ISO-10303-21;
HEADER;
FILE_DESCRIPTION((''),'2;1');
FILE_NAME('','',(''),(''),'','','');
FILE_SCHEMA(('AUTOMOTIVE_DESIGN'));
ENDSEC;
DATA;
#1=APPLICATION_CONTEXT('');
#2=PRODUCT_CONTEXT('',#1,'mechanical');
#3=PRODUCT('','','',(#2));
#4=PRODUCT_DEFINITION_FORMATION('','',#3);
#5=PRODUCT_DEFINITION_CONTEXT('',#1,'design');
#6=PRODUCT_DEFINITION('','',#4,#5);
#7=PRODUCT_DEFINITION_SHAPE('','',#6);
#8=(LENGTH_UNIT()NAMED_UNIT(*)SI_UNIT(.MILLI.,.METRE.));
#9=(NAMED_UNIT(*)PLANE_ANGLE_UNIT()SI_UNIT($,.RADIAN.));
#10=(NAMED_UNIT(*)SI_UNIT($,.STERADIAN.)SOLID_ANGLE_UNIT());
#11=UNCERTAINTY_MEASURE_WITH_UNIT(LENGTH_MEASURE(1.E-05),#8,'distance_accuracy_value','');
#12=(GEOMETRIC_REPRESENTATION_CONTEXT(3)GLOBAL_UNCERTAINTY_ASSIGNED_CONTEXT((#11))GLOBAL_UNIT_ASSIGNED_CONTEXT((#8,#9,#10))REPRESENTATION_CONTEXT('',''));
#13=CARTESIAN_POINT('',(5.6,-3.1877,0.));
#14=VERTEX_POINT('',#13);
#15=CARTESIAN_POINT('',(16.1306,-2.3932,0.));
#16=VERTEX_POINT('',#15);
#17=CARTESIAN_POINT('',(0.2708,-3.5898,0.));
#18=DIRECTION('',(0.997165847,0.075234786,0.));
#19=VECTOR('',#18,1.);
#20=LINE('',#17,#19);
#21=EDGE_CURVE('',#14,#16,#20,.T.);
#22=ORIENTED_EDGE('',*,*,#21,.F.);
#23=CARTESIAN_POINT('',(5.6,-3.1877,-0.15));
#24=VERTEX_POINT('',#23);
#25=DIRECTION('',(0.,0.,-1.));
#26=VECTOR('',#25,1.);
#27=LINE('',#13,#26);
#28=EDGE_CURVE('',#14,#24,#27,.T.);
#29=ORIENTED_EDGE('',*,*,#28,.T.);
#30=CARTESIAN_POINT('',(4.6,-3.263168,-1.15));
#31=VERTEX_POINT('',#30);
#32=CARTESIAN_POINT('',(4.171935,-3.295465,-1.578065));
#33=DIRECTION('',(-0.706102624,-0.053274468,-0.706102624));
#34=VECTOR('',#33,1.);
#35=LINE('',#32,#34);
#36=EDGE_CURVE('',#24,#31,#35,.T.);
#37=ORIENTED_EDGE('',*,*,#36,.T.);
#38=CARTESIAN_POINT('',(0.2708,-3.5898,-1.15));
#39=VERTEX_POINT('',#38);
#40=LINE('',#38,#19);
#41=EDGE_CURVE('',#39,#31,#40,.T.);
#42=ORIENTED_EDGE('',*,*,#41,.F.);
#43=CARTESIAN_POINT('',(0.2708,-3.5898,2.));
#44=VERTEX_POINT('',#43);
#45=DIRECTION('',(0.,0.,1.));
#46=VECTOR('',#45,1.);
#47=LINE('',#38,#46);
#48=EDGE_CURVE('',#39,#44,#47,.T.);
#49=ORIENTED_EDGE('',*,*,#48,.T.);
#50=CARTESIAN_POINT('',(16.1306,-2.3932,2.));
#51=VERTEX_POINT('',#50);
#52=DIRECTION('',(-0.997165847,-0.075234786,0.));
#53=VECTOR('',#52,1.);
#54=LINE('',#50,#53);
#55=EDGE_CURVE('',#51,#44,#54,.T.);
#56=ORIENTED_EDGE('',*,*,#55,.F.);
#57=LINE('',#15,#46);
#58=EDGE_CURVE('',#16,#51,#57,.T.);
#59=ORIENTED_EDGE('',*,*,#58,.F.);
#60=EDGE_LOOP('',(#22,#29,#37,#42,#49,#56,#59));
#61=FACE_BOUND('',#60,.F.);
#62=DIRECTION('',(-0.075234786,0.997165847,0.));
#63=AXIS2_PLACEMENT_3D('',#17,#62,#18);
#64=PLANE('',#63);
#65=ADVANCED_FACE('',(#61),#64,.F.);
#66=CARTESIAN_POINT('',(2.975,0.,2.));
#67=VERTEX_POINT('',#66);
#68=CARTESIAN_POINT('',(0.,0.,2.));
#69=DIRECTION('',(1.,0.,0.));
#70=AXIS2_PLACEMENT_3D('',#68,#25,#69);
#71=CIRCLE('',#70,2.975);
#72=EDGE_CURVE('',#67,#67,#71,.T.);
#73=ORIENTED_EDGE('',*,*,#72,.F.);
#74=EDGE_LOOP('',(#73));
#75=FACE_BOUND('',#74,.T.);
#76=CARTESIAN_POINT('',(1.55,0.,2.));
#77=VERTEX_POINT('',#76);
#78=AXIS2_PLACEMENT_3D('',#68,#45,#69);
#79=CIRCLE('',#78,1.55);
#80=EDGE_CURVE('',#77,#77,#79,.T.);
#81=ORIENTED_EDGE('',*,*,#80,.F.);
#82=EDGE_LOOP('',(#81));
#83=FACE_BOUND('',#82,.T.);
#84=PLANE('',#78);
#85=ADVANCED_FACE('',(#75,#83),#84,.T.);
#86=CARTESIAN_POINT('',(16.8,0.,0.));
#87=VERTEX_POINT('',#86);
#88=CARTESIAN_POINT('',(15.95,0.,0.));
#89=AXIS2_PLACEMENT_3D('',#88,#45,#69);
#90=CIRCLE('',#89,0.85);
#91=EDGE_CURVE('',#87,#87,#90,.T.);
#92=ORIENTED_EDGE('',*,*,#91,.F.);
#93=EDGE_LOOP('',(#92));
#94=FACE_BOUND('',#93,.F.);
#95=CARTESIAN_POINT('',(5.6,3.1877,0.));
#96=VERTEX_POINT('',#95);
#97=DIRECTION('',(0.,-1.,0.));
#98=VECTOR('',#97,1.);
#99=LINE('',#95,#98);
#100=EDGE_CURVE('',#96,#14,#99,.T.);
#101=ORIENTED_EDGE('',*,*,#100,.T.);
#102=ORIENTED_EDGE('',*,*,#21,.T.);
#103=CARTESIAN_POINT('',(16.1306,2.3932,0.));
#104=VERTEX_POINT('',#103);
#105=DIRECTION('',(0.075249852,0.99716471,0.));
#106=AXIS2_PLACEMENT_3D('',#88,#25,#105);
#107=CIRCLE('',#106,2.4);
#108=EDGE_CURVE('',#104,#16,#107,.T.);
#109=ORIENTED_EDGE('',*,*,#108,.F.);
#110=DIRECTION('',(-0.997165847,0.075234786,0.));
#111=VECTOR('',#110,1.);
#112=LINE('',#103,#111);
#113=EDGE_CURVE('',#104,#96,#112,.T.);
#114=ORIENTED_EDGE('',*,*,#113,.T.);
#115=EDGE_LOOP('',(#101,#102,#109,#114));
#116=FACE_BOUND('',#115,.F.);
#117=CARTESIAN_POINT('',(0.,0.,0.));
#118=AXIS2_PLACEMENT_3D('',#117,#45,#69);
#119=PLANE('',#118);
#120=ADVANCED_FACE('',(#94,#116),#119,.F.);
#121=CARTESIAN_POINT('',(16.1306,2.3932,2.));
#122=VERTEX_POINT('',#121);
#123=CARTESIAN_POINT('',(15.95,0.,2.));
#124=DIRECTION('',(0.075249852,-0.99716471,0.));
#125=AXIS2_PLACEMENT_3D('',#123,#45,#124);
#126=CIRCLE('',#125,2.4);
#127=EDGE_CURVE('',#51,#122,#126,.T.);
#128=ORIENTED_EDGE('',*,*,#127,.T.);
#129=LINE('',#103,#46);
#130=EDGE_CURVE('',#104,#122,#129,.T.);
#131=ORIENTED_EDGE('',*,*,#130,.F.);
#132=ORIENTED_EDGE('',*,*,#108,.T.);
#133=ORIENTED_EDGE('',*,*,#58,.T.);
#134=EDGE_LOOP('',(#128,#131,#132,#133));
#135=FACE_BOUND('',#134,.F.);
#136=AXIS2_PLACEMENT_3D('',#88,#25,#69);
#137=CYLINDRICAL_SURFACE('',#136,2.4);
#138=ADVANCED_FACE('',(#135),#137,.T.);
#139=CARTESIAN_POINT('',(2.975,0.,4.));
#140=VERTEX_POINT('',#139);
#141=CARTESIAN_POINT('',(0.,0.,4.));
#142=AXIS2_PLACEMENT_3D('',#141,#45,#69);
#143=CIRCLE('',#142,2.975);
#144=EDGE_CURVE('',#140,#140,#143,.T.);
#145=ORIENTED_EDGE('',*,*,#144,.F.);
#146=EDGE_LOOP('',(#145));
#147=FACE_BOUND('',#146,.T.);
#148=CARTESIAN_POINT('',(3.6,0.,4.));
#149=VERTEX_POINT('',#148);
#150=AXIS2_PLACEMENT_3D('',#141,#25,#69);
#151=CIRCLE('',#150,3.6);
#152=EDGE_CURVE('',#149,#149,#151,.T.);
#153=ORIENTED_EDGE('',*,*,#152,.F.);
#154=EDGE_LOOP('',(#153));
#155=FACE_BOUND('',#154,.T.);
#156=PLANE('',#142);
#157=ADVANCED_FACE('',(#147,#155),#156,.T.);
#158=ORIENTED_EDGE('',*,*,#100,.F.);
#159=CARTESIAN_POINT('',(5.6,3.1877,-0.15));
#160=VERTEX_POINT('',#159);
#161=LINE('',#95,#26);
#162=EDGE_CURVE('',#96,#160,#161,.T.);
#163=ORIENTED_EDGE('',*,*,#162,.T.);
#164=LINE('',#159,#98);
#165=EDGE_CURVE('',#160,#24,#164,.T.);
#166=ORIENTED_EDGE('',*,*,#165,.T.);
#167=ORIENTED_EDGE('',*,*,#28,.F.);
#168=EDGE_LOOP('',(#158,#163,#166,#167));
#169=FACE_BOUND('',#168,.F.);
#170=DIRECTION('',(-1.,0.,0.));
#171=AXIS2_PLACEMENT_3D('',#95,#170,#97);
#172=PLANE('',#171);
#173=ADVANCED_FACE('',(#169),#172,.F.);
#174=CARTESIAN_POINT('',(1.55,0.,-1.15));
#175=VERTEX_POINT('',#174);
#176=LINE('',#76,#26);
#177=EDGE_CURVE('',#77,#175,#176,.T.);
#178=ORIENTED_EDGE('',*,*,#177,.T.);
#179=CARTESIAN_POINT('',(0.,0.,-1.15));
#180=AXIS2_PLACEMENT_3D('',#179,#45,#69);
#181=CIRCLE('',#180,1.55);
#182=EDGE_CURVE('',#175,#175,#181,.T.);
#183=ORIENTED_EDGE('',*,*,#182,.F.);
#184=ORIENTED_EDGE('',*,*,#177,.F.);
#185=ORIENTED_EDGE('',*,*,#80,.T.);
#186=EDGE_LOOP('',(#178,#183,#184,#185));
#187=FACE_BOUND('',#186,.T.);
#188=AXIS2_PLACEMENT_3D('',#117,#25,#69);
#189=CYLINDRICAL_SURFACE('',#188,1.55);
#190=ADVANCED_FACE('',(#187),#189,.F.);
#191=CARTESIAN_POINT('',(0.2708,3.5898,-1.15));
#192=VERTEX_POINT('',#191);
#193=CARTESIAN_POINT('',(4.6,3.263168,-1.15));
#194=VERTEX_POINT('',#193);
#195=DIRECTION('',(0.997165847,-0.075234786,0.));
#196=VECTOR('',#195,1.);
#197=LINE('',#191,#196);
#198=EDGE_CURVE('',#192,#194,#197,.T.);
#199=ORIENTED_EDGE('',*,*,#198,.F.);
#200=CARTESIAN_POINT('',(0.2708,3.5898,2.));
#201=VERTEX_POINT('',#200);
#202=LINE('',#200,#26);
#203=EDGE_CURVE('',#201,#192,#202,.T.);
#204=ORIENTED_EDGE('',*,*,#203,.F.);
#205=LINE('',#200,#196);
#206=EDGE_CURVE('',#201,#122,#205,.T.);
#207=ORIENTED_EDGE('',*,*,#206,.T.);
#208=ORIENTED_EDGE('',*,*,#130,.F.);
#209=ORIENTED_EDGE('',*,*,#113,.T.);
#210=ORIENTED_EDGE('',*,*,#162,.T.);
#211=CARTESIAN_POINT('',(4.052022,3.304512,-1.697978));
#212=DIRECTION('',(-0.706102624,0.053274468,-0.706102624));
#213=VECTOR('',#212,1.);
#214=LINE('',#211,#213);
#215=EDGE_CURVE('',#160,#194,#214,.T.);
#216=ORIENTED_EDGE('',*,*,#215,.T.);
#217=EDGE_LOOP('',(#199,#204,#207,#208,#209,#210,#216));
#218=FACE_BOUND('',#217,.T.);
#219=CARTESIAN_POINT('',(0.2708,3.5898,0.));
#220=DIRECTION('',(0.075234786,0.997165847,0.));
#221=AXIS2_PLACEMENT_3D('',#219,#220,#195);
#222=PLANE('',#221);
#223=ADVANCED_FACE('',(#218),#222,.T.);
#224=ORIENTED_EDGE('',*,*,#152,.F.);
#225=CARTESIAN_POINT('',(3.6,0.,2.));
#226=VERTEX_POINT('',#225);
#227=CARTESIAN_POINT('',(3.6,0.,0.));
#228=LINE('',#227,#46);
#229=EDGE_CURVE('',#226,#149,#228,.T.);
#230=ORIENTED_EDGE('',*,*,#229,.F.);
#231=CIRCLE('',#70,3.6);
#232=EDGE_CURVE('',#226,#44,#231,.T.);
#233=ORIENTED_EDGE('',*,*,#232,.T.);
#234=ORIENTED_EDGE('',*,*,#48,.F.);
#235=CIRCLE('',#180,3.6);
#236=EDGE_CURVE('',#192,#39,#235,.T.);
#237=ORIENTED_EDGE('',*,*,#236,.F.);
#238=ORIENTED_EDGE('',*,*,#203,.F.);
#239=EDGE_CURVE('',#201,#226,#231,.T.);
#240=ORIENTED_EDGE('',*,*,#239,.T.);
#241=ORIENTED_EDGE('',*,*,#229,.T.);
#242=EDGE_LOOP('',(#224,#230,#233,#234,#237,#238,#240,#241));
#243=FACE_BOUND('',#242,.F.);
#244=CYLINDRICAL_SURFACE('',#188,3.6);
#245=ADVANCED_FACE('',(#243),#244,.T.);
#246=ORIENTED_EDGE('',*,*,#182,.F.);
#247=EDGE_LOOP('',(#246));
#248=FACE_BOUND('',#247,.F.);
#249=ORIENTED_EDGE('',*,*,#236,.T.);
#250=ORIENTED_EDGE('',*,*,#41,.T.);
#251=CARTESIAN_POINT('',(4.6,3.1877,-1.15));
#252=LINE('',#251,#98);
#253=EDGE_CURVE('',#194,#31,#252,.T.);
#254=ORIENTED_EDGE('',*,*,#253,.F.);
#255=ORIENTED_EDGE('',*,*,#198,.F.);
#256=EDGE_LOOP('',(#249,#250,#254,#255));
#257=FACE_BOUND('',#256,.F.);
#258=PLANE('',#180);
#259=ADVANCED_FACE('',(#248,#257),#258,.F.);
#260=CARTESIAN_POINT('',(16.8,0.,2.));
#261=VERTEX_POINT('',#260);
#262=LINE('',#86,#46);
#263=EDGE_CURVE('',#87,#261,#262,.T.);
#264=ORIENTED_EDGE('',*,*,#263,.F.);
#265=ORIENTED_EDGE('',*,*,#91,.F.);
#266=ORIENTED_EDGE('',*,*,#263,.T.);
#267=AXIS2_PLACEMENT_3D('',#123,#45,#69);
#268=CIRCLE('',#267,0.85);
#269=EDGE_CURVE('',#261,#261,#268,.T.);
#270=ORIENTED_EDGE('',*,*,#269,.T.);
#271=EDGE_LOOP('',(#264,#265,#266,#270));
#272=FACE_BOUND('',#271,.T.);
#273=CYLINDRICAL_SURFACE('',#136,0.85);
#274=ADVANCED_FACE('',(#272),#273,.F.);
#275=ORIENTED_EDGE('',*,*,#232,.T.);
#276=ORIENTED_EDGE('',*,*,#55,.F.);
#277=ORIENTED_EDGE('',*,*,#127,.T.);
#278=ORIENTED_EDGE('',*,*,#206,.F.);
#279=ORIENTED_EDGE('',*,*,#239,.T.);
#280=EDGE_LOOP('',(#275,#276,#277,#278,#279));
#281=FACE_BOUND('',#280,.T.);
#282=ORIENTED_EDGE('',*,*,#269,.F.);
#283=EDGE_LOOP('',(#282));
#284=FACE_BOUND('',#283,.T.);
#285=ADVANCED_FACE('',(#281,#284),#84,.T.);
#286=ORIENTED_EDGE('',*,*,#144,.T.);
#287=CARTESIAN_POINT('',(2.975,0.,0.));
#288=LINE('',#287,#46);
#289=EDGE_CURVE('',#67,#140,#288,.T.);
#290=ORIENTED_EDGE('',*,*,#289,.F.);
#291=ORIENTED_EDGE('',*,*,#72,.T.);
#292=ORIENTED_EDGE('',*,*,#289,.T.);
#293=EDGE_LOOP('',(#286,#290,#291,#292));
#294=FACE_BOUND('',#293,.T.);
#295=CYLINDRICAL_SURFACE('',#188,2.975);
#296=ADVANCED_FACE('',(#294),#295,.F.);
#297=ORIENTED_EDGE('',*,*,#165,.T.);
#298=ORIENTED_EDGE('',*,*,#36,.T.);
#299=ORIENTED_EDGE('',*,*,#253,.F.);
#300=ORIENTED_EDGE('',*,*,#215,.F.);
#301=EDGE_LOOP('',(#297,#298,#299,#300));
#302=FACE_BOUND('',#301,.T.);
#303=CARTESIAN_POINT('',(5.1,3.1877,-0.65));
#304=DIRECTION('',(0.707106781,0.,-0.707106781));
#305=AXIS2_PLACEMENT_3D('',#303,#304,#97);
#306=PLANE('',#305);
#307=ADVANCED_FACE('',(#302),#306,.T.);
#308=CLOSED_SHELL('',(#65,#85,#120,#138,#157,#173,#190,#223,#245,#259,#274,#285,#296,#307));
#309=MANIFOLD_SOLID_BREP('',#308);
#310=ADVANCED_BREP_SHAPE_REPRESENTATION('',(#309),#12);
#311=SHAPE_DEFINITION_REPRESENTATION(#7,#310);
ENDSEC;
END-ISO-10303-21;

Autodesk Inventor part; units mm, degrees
ref_plane "YZ Plane" through (0, 0, 0) normal (1, 0, 0) x (0, 1, 0)
ref_plane "XZ Plane" through (0, 0, 0) normal (0, 1, 0) x (-1, 0, 0)
ref_plane "XY Plane" through (0, 0, 0) normal (0, 0, 1) x (1, 0, 0)
sketch "Sketch1" plane through (0, 0, 0) normal (0, 0, 1) x (1, 0, 0)
  circle A0 centre (0, 0) radius 3.6
  line L0 (0, 0) -> (15.95, 0) construction
  circle A1 centre (15.95, 0) radius 2.4
  line L1 (0.2708, 3.5898) -> (16.1306, 2.3932)
  line L2 (0.2708, -3.5898) -> (16.1306, -2.3932)
  line L3 (5.6, 3.1877) -> (5.6, -3.1877)
  line L4 (0, 0) -> (-3.6, 0) construction
  circle A2 centre (0, 0) radius 1.55
  circle A3 centre (15.95, 0) radius 0.85
  circle A4 centre (0, 0) radius 2.975
  dimension "d0" = 7.2
  dimension "d1" = 4.8
  dimension "d2" = 15.95
  dimension "d5" = 9.2
  dimension "d6" = 3.1
  dimension "d7" = 1.7
  dimension "d10" = 5.95
extrude "Extrusion1" add sketch "Sketch1" along normal blind 2 contours A0 | A0 L1 L3 L2 | L1 A1 L2 L3 | A1 | A4
extrude "Extrusion2" add sketch "Sketch1" against normal blind 1.15 contours A0 | A0 L1 L3 L2 | A4
extrude "Extrusion3" add sketch "Sketch1" along normal blind 4 contours A0
chamfer "Chamfer1" distance 1 angle 45 1 edges at (5.6, 0, -1.15)
properties part number "HalfServoArm"
